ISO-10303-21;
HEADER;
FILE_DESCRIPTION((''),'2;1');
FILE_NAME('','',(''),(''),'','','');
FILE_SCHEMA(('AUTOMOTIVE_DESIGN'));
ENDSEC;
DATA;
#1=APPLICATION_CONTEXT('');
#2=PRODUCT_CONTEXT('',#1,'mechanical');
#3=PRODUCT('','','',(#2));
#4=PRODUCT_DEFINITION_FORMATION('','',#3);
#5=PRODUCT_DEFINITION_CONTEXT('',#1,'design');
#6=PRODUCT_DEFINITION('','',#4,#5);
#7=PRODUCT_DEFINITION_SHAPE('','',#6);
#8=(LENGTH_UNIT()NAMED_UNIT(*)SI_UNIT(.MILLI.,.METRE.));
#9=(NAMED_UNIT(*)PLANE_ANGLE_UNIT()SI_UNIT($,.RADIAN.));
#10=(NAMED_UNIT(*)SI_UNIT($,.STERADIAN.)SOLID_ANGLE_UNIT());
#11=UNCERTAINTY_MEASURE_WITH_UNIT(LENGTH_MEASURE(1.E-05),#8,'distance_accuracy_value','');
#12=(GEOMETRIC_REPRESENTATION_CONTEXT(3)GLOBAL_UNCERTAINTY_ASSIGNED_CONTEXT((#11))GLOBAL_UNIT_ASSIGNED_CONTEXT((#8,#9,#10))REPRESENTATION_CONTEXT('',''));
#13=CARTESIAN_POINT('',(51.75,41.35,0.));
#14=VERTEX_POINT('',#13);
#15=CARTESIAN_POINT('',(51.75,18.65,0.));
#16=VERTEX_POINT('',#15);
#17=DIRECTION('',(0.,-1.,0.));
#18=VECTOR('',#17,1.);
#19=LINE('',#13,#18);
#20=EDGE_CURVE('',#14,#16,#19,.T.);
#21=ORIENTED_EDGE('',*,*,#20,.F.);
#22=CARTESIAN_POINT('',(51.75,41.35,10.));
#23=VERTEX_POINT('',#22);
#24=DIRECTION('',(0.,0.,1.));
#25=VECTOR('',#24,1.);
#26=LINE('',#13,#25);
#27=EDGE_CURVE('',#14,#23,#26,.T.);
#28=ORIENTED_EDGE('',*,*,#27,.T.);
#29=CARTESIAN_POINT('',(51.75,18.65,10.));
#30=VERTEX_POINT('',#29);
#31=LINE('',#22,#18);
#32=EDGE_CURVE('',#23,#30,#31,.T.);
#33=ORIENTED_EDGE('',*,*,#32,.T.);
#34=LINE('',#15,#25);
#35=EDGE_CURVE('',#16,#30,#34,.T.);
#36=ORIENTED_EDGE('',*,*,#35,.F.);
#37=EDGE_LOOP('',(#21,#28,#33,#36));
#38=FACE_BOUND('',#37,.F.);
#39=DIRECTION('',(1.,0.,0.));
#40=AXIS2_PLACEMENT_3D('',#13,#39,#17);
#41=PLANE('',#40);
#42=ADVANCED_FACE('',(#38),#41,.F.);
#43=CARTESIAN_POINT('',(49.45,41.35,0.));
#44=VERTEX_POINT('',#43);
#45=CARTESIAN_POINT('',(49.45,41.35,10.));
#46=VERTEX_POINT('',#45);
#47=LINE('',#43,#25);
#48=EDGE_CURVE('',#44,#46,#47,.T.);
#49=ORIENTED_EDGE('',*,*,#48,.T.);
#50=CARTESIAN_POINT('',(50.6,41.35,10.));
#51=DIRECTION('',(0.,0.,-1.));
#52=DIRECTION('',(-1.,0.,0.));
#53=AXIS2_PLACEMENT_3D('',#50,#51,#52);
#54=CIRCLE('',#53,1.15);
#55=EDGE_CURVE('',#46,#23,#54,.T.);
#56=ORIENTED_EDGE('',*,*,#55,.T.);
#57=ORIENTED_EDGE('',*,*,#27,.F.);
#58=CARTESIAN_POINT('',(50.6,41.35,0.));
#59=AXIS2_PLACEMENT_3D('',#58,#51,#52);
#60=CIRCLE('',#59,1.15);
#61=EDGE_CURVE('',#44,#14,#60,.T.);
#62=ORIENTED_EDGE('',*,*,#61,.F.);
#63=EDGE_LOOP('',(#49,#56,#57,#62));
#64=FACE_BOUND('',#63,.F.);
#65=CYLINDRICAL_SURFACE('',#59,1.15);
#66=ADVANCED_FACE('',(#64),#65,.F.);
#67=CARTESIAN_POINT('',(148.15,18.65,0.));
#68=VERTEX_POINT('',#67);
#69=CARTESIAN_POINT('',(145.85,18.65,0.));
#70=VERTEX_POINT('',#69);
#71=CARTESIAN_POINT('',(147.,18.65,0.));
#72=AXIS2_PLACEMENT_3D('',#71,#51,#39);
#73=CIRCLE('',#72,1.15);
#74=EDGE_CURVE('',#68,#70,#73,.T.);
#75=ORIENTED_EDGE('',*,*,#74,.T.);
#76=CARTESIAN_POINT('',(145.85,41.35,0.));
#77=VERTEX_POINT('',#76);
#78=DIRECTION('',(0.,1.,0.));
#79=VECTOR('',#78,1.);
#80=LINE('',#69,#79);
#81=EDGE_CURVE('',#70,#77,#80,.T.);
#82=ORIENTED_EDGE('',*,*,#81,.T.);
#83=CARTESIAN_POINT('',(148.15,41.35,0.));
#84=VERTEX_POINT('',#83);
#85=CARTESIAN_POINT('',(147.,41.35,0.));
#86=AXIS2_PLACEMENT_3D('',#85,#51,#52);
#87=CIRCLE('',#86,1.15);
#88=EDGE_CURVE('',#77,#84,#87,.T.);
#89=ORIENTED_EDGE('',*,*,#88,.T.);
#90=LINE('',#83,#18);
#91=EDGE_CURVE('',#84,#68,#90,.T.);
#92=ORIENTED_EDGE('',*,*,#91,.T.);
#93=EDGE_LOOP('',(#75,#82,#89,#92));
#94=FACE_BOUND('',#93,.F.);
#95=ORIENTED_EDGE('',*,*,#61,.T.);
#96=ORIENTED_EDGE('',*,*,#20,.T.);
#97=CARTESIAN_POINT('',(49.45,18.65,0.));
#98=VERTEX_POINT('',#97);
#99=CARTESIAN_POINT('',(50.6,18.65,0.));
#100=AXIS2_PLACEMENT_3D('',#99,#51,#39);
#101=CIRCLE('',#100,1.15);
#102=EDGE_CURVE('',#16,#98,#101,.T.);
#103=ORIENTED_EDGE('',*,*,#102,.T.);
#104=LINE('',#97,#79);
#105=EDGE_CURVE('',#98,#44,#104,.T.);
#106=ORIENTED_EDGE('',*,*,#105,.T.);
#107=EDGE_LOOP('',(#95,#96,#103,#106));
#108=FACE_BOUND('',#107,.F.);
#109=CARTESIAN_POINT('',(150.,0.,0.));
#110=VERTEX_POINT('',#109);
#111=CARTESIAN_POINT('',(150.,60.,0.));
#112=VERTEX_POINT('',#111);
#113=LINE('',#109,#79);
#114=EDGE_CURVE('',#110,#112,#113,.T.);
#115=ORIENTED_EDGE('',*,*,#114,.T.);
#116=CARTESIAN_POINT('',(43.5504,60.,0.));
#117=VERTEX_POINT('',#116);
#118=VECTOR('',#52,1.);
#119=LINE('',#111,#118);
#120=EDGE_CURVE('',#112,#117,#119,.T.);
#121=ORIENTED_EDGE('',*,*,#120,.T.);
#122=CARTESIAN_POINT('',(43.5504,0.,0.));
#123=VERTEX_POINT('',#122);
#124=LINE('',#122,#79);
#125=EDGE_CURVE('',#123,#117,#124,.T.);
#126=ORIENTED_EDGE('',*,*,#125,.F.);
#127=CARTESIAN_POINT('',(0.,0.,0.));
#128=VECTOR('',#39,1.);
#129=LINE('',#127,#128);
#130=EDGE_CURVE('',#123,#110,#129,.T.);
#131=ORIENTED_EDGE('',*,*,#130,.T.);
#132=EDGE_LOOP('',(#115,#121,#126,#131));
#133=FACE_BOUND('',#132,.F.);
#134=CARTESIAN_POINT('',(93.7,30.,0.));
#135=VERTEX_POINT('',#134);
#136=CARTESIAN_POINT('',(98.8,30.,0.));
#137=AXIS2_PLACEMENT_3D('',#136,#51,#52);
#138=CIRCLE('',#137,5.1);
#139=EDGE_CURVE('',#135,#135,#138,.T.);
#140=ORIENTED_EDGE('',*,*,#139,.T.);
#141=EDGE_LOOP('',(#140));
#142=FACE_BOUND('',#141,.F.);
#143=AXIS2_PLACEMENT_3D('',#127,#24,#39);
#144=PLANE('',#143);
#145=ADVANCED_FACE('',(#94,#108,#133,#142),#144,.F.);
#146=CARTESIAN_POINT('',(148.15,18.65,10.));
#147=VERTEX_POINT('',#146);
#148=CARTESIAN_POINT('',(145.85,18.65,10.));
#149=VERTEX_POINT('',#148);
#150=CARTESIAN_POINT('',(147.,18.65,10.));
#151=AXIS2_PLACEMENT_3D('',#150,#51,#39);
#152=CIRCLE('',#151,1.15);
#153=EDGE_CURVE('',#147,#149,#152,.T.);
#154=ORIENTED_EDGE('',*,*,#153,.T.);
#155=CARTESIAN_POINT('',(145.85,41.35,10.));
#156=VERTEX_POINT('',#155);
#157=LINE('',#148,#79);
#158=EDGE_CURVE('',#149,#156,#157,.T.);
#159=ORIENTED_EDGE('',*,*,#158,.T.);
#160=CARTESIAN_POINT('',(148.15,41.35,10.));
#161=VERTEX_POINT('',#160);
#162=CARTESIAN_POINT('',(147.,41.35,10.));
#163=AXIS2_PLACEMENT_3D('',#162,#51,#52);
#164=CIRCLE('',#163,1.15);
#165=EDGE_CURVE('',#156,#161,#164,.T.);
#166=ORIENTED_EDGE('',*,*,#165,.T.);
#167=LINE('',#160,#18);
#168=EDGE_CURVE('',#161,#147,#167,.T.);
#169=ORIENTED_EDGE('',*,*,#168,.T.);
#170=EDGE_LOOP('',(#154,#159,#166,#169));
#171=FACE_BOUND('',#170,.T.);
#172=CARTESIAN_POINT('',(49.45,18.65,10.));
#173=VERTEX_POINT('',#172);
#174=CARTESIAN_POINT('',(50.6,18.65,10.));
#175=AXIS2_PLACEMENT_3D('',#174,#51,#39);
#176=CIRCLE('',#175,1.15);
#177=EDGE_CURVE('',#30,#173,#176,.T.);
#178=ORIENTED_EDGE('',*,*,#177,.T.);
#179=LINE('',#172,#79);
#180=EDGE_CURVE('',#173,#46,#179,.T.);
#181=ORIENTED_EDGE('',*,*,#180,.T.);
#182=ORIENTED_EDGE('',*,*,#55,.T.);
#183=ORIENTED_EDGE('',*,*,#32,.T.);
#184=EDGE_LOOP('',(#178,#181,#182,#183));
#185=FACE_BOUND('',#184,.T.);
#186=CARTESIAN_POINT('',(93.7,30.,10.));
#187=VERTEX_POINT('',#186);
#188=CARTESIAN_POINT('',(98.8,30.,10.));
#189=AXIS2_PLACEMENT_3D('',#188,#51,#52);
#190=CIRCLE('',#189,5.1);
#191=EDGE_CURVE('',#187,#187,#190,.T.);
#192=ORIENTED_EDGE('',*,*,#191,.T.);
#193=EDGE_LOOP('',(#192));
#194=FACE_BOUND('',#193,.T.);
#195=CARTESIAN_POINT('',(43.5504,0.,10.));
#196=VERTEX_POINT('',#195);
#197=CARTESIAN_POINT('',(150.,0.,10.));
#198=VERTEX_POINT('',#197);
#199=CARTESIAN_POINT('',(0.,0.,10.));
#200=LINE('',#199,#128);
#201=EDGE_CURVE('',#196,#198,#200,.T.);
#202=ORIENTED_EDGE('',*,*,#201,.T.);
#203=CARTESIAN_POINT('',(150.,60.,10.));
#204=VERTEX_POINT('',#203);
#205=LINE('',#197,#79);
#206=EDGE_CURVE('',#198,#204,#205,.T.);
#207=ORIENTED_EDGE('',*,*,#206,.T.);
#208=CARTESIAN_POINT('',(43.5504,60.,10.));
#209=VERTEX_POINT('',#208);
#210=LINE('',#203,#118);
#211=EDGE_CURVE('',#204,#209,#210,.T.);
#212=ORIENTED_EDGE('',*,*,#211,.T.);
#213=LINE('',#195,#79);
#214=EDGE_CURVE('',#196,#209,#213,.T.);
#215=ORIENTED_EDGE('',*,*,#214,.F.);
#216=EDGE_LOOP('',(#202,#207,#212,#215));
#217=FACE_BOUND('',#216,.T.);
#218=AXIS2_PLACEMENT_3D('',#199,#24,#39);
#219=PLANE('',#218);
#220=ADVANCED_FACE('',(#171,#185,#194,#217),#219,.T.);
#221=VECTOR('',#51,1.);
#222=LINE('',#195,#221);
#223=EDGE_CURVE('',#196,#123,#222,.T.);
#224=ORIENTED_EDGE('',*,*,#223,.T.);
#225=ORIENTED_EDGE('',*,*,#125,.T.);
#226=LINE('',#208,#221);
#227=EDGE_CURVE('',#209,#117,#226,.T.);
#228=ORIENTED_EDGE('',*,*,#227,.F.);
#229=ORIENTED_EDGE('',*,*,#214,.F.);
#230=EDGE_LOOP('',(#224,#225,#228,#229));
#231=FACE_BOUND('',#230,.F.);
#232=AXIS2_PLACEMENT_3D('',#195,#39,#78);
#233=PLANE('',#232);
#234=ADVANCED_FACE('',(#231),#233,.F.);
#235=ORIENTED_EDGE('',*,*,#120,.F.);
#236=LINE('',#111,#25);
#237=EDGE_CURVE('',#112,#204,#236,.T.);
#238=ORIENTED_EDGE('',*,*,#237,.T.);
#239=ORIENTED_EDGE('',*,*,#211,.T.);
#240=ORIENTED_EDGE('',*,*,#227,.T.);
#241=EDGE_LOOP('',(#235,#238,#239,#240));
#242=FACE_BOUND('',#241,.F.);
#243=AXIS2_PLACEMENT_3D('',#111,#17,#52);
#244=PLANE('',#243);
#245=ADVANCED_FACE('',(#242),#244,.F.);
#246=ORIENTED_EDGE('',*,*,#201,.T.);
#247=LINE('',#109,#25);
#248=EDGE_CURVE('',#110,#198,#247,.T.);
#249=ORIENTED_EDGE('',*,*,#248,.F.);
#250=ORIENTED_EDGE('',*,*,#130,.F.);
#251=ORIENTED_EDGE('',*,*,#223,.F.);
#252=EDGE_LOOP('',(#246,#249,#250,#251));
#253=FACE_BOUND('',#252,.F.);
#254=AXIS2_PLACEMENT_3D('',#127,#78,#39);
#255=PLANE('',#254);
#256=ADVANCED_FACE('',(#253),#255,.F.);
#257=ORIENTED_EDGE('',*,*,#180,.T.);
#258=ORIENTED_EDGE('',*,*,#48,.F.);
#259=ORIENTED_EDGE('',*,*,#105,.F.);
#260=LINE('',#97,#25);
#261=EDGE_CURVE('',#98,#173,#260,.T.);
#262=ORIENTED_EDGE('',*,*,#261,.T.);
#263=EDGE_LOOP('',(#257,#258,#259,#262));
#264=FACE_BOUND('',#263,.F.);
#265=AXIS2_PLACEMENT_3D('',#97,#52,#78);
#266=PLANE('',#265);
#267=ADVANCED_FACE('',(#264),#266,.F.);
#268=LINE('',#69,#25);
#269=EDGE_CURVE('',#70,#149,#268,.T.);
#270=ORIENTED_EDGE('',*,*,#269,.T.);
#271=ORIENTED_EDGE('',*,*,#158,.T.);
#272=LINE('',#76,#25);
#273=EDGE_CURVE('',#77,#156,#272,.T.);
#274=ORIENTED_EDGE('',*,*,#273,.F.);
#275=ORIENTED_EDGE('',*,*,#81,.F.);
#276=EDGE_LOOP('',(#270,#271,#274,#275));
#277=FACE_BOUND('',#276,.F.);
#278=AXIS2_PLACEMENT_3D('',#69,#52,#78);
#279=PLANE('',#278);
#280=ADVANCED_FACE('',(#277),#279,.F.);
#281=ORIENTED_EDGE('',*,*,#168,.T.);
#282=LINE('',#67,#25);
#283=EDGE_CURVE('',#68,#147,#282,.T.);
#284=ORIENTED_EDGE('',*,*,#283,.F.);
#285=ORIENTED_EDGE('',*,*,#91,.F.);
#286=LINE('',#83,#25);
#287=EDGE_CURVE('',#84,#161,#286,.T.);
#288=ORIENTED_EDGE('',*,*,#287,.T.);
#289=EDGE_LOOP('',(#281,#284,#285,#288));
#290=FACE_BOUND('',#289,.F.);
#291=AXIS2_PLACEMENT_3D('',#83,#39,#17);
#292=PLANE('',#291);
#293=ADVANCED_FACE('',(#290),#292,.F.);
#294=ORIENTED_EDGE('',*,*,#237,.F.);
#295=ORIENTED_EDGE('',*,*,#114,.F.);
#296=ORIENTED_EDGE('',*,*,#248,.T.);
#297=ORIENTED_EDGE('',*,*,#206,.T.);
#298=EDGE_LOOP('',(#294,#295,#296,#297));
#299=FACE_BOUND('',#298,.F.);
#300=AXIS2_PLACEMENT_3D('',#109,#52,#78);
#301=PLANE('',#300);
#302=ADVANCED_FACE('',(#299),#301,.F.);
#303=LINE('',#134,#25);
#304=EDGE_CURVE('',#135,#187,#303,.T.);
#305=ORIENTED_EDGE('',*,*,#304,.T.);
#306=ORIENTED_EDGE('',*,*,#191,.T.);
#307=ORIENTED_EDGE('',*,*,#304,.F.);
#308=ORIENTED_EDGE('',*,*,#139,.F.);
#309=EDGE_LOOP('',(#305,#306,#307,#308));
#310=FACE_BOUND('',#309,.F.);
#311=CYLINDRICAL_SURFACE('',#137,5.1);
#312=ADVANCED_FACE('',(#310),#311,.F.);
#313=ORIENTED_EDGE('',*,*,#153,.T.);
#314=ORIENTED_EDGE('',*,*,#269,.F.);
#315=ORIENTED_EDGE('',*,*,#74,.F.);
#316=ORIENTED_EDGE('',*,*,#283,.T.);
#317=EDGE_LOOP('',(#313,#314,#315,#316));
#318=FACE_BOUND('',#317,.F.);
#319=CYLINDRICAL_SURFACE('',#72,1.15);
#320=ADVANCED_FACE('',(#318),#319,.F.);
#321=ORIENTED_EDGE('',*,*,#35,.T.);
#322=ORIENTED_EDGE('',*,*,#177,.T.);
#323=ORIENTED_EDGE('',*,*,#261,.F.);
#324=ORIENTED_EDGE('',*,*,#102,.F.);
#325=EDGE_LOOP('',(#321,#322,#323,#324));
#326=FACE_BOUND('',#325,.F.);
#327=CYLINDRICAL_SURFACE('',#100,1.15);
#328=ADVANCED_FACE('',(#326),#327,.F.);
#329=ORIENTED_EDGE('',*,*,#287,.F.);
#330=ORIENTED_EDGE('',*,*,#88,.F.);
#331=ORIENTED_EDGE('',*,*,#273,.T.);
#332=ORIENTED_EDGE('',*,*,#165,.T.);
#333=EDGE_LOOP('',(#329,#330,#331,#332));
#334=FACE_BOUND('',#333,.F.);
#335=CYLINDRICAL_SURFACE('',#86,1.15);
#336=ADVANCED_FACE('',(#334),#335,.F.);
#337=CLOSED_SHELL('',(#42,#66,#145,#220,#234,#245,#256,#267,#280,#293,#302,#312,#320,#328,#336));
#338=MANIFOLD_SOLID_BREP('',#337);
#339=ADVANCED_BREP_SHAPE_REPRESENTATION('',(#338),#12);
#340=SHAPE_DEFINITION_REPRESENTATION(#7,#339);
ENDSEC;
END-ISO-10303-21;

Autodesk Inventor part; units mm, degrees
ref_plane "YZ Plane" through (0, 0, 0) normal (1, 0, 0) x (0, 1, 0)
ref_plane "XZ Plane" through (0, 0, 0) normal (0, 1, 0) x (-1, 0, 0)
ref_plane "XY Plane" through (0, 0, 0) normal (0, 0, 1) x (1, 0, 0)
sketch "Sketch1" plane through (0, 0, 0) normal (0, 0, 1) x (1, 0, 0)
  line L0 (0, 0) -> (150, 0)
  line L1 (150, 0) -> (150, 60)
  line L2 (150, 60) -> (0, 60)
  line L3 (0, 60) -> (0, 0)
  dimension "d1" = 60
extrude "Extrusion1" add sketch "Sketch1" along normal blind 10
sketch "Sketch2" plane through (0, 0, 0) normal (0, 0, -1) x (-1, 0, 0)
  line L0 (-150, 60) -> (0, 60) projected
  line L1 (0, 0) -> (-150, 0) projected
  circle A0 centre (-98.8, 30) radius 5.1
  dimension "d5" = 10.2
  dimension "d6" = 30
  dimension "d20" = 98.8
extrude "Extrusion2" cut sketch "Sketch2" against normal blind 10
sketch "Sketch3" plane through (0, 0, 0) normal (0, 0, -1) x (-1, 0, 0)
  line L0 (-147, 18.65) -> (-147, 41.35) construction
  line L1 (-145.85, 18.65) -> (-145.85, 41.35)
  line L2 (-148.15, 41.35) -> (-148.15, 18.65)
  arc A0 (-148.15, 18.65) -> (-145.85, 18.65) centre (-147, 18.65) ccw
  arc A1 (-145.85, 41.35) -> (-148.15, 41.35) centre (-147, 41.35) ccw
  line L3 (0, 0) -> (-150, 0) projected
  circle A2 centre (-98.8, 30) radius 5.1 projected
  circle A3 centre (-98.8, 30) radius 5.1 projected
  line L4 (-150, 0) -> (-150, 60) projected
  line L5 (-150, 60) -> (0, 60) projected
  line L6 (0, 60) -> (0, 0) projected
  line L7 (0, 0) -> (-150, 0) projected
  line L8 (-50.6, 18.65) -> (-50.6, 41.35) construction
  line L9 (-49.45, 18.65) -> (-49.45, 41.35)
  line L10 (-51.75, 41.35) -> (-51.75, 18.65)
  arc A4 (-51.75, 18.65) -> (-49.45, 18.65) centre (-50.6, 18.65) ccw
  arc A5 (-49.45, 41.35) -> (-51.75, 41.35) centre (-50.6, 41.35) ccw
  point P0 (-147, 30)
  point P1 (-147, 42.5)
  point P2 (-147, 17.5)
  point P3 (-50.6, 30)
  point P4 (-50.6, 42.5)
  point P5 (-50.6, 17.5)
  dimension "d10" = 2.3
  dimension "d12" = 25
  dimension "d17" = 3
  dimension "d27" = 2.3
  dimension "d28" = 25
  dimension "d29" = 48.2
extrude "Extrusion3" cut sketch "Sketch3" against normal blind 10 contours A0 L2 A1 L1 | A4 L10 A5 L9
sketch "Sketch4" plane through (0, 0, 10) normal (0, 0, 1) x (1, 0, 0)
  line L0 (0, 60) -> (0, 0) projected
  line L1 (150, 60) -> (0, 60) projected
  line L2 (0, 0) -> (43.5504, 0)
  line L3 (43.5504, 0) -> (43.5504, 60)
  line L4 (43.5504, 60) -> (0, 60)
  line L5 (0, 60) -> (0, 0)
extrude "Extrusion4" cut sketch "Sketch4" against normal through all
properties part number "base"
